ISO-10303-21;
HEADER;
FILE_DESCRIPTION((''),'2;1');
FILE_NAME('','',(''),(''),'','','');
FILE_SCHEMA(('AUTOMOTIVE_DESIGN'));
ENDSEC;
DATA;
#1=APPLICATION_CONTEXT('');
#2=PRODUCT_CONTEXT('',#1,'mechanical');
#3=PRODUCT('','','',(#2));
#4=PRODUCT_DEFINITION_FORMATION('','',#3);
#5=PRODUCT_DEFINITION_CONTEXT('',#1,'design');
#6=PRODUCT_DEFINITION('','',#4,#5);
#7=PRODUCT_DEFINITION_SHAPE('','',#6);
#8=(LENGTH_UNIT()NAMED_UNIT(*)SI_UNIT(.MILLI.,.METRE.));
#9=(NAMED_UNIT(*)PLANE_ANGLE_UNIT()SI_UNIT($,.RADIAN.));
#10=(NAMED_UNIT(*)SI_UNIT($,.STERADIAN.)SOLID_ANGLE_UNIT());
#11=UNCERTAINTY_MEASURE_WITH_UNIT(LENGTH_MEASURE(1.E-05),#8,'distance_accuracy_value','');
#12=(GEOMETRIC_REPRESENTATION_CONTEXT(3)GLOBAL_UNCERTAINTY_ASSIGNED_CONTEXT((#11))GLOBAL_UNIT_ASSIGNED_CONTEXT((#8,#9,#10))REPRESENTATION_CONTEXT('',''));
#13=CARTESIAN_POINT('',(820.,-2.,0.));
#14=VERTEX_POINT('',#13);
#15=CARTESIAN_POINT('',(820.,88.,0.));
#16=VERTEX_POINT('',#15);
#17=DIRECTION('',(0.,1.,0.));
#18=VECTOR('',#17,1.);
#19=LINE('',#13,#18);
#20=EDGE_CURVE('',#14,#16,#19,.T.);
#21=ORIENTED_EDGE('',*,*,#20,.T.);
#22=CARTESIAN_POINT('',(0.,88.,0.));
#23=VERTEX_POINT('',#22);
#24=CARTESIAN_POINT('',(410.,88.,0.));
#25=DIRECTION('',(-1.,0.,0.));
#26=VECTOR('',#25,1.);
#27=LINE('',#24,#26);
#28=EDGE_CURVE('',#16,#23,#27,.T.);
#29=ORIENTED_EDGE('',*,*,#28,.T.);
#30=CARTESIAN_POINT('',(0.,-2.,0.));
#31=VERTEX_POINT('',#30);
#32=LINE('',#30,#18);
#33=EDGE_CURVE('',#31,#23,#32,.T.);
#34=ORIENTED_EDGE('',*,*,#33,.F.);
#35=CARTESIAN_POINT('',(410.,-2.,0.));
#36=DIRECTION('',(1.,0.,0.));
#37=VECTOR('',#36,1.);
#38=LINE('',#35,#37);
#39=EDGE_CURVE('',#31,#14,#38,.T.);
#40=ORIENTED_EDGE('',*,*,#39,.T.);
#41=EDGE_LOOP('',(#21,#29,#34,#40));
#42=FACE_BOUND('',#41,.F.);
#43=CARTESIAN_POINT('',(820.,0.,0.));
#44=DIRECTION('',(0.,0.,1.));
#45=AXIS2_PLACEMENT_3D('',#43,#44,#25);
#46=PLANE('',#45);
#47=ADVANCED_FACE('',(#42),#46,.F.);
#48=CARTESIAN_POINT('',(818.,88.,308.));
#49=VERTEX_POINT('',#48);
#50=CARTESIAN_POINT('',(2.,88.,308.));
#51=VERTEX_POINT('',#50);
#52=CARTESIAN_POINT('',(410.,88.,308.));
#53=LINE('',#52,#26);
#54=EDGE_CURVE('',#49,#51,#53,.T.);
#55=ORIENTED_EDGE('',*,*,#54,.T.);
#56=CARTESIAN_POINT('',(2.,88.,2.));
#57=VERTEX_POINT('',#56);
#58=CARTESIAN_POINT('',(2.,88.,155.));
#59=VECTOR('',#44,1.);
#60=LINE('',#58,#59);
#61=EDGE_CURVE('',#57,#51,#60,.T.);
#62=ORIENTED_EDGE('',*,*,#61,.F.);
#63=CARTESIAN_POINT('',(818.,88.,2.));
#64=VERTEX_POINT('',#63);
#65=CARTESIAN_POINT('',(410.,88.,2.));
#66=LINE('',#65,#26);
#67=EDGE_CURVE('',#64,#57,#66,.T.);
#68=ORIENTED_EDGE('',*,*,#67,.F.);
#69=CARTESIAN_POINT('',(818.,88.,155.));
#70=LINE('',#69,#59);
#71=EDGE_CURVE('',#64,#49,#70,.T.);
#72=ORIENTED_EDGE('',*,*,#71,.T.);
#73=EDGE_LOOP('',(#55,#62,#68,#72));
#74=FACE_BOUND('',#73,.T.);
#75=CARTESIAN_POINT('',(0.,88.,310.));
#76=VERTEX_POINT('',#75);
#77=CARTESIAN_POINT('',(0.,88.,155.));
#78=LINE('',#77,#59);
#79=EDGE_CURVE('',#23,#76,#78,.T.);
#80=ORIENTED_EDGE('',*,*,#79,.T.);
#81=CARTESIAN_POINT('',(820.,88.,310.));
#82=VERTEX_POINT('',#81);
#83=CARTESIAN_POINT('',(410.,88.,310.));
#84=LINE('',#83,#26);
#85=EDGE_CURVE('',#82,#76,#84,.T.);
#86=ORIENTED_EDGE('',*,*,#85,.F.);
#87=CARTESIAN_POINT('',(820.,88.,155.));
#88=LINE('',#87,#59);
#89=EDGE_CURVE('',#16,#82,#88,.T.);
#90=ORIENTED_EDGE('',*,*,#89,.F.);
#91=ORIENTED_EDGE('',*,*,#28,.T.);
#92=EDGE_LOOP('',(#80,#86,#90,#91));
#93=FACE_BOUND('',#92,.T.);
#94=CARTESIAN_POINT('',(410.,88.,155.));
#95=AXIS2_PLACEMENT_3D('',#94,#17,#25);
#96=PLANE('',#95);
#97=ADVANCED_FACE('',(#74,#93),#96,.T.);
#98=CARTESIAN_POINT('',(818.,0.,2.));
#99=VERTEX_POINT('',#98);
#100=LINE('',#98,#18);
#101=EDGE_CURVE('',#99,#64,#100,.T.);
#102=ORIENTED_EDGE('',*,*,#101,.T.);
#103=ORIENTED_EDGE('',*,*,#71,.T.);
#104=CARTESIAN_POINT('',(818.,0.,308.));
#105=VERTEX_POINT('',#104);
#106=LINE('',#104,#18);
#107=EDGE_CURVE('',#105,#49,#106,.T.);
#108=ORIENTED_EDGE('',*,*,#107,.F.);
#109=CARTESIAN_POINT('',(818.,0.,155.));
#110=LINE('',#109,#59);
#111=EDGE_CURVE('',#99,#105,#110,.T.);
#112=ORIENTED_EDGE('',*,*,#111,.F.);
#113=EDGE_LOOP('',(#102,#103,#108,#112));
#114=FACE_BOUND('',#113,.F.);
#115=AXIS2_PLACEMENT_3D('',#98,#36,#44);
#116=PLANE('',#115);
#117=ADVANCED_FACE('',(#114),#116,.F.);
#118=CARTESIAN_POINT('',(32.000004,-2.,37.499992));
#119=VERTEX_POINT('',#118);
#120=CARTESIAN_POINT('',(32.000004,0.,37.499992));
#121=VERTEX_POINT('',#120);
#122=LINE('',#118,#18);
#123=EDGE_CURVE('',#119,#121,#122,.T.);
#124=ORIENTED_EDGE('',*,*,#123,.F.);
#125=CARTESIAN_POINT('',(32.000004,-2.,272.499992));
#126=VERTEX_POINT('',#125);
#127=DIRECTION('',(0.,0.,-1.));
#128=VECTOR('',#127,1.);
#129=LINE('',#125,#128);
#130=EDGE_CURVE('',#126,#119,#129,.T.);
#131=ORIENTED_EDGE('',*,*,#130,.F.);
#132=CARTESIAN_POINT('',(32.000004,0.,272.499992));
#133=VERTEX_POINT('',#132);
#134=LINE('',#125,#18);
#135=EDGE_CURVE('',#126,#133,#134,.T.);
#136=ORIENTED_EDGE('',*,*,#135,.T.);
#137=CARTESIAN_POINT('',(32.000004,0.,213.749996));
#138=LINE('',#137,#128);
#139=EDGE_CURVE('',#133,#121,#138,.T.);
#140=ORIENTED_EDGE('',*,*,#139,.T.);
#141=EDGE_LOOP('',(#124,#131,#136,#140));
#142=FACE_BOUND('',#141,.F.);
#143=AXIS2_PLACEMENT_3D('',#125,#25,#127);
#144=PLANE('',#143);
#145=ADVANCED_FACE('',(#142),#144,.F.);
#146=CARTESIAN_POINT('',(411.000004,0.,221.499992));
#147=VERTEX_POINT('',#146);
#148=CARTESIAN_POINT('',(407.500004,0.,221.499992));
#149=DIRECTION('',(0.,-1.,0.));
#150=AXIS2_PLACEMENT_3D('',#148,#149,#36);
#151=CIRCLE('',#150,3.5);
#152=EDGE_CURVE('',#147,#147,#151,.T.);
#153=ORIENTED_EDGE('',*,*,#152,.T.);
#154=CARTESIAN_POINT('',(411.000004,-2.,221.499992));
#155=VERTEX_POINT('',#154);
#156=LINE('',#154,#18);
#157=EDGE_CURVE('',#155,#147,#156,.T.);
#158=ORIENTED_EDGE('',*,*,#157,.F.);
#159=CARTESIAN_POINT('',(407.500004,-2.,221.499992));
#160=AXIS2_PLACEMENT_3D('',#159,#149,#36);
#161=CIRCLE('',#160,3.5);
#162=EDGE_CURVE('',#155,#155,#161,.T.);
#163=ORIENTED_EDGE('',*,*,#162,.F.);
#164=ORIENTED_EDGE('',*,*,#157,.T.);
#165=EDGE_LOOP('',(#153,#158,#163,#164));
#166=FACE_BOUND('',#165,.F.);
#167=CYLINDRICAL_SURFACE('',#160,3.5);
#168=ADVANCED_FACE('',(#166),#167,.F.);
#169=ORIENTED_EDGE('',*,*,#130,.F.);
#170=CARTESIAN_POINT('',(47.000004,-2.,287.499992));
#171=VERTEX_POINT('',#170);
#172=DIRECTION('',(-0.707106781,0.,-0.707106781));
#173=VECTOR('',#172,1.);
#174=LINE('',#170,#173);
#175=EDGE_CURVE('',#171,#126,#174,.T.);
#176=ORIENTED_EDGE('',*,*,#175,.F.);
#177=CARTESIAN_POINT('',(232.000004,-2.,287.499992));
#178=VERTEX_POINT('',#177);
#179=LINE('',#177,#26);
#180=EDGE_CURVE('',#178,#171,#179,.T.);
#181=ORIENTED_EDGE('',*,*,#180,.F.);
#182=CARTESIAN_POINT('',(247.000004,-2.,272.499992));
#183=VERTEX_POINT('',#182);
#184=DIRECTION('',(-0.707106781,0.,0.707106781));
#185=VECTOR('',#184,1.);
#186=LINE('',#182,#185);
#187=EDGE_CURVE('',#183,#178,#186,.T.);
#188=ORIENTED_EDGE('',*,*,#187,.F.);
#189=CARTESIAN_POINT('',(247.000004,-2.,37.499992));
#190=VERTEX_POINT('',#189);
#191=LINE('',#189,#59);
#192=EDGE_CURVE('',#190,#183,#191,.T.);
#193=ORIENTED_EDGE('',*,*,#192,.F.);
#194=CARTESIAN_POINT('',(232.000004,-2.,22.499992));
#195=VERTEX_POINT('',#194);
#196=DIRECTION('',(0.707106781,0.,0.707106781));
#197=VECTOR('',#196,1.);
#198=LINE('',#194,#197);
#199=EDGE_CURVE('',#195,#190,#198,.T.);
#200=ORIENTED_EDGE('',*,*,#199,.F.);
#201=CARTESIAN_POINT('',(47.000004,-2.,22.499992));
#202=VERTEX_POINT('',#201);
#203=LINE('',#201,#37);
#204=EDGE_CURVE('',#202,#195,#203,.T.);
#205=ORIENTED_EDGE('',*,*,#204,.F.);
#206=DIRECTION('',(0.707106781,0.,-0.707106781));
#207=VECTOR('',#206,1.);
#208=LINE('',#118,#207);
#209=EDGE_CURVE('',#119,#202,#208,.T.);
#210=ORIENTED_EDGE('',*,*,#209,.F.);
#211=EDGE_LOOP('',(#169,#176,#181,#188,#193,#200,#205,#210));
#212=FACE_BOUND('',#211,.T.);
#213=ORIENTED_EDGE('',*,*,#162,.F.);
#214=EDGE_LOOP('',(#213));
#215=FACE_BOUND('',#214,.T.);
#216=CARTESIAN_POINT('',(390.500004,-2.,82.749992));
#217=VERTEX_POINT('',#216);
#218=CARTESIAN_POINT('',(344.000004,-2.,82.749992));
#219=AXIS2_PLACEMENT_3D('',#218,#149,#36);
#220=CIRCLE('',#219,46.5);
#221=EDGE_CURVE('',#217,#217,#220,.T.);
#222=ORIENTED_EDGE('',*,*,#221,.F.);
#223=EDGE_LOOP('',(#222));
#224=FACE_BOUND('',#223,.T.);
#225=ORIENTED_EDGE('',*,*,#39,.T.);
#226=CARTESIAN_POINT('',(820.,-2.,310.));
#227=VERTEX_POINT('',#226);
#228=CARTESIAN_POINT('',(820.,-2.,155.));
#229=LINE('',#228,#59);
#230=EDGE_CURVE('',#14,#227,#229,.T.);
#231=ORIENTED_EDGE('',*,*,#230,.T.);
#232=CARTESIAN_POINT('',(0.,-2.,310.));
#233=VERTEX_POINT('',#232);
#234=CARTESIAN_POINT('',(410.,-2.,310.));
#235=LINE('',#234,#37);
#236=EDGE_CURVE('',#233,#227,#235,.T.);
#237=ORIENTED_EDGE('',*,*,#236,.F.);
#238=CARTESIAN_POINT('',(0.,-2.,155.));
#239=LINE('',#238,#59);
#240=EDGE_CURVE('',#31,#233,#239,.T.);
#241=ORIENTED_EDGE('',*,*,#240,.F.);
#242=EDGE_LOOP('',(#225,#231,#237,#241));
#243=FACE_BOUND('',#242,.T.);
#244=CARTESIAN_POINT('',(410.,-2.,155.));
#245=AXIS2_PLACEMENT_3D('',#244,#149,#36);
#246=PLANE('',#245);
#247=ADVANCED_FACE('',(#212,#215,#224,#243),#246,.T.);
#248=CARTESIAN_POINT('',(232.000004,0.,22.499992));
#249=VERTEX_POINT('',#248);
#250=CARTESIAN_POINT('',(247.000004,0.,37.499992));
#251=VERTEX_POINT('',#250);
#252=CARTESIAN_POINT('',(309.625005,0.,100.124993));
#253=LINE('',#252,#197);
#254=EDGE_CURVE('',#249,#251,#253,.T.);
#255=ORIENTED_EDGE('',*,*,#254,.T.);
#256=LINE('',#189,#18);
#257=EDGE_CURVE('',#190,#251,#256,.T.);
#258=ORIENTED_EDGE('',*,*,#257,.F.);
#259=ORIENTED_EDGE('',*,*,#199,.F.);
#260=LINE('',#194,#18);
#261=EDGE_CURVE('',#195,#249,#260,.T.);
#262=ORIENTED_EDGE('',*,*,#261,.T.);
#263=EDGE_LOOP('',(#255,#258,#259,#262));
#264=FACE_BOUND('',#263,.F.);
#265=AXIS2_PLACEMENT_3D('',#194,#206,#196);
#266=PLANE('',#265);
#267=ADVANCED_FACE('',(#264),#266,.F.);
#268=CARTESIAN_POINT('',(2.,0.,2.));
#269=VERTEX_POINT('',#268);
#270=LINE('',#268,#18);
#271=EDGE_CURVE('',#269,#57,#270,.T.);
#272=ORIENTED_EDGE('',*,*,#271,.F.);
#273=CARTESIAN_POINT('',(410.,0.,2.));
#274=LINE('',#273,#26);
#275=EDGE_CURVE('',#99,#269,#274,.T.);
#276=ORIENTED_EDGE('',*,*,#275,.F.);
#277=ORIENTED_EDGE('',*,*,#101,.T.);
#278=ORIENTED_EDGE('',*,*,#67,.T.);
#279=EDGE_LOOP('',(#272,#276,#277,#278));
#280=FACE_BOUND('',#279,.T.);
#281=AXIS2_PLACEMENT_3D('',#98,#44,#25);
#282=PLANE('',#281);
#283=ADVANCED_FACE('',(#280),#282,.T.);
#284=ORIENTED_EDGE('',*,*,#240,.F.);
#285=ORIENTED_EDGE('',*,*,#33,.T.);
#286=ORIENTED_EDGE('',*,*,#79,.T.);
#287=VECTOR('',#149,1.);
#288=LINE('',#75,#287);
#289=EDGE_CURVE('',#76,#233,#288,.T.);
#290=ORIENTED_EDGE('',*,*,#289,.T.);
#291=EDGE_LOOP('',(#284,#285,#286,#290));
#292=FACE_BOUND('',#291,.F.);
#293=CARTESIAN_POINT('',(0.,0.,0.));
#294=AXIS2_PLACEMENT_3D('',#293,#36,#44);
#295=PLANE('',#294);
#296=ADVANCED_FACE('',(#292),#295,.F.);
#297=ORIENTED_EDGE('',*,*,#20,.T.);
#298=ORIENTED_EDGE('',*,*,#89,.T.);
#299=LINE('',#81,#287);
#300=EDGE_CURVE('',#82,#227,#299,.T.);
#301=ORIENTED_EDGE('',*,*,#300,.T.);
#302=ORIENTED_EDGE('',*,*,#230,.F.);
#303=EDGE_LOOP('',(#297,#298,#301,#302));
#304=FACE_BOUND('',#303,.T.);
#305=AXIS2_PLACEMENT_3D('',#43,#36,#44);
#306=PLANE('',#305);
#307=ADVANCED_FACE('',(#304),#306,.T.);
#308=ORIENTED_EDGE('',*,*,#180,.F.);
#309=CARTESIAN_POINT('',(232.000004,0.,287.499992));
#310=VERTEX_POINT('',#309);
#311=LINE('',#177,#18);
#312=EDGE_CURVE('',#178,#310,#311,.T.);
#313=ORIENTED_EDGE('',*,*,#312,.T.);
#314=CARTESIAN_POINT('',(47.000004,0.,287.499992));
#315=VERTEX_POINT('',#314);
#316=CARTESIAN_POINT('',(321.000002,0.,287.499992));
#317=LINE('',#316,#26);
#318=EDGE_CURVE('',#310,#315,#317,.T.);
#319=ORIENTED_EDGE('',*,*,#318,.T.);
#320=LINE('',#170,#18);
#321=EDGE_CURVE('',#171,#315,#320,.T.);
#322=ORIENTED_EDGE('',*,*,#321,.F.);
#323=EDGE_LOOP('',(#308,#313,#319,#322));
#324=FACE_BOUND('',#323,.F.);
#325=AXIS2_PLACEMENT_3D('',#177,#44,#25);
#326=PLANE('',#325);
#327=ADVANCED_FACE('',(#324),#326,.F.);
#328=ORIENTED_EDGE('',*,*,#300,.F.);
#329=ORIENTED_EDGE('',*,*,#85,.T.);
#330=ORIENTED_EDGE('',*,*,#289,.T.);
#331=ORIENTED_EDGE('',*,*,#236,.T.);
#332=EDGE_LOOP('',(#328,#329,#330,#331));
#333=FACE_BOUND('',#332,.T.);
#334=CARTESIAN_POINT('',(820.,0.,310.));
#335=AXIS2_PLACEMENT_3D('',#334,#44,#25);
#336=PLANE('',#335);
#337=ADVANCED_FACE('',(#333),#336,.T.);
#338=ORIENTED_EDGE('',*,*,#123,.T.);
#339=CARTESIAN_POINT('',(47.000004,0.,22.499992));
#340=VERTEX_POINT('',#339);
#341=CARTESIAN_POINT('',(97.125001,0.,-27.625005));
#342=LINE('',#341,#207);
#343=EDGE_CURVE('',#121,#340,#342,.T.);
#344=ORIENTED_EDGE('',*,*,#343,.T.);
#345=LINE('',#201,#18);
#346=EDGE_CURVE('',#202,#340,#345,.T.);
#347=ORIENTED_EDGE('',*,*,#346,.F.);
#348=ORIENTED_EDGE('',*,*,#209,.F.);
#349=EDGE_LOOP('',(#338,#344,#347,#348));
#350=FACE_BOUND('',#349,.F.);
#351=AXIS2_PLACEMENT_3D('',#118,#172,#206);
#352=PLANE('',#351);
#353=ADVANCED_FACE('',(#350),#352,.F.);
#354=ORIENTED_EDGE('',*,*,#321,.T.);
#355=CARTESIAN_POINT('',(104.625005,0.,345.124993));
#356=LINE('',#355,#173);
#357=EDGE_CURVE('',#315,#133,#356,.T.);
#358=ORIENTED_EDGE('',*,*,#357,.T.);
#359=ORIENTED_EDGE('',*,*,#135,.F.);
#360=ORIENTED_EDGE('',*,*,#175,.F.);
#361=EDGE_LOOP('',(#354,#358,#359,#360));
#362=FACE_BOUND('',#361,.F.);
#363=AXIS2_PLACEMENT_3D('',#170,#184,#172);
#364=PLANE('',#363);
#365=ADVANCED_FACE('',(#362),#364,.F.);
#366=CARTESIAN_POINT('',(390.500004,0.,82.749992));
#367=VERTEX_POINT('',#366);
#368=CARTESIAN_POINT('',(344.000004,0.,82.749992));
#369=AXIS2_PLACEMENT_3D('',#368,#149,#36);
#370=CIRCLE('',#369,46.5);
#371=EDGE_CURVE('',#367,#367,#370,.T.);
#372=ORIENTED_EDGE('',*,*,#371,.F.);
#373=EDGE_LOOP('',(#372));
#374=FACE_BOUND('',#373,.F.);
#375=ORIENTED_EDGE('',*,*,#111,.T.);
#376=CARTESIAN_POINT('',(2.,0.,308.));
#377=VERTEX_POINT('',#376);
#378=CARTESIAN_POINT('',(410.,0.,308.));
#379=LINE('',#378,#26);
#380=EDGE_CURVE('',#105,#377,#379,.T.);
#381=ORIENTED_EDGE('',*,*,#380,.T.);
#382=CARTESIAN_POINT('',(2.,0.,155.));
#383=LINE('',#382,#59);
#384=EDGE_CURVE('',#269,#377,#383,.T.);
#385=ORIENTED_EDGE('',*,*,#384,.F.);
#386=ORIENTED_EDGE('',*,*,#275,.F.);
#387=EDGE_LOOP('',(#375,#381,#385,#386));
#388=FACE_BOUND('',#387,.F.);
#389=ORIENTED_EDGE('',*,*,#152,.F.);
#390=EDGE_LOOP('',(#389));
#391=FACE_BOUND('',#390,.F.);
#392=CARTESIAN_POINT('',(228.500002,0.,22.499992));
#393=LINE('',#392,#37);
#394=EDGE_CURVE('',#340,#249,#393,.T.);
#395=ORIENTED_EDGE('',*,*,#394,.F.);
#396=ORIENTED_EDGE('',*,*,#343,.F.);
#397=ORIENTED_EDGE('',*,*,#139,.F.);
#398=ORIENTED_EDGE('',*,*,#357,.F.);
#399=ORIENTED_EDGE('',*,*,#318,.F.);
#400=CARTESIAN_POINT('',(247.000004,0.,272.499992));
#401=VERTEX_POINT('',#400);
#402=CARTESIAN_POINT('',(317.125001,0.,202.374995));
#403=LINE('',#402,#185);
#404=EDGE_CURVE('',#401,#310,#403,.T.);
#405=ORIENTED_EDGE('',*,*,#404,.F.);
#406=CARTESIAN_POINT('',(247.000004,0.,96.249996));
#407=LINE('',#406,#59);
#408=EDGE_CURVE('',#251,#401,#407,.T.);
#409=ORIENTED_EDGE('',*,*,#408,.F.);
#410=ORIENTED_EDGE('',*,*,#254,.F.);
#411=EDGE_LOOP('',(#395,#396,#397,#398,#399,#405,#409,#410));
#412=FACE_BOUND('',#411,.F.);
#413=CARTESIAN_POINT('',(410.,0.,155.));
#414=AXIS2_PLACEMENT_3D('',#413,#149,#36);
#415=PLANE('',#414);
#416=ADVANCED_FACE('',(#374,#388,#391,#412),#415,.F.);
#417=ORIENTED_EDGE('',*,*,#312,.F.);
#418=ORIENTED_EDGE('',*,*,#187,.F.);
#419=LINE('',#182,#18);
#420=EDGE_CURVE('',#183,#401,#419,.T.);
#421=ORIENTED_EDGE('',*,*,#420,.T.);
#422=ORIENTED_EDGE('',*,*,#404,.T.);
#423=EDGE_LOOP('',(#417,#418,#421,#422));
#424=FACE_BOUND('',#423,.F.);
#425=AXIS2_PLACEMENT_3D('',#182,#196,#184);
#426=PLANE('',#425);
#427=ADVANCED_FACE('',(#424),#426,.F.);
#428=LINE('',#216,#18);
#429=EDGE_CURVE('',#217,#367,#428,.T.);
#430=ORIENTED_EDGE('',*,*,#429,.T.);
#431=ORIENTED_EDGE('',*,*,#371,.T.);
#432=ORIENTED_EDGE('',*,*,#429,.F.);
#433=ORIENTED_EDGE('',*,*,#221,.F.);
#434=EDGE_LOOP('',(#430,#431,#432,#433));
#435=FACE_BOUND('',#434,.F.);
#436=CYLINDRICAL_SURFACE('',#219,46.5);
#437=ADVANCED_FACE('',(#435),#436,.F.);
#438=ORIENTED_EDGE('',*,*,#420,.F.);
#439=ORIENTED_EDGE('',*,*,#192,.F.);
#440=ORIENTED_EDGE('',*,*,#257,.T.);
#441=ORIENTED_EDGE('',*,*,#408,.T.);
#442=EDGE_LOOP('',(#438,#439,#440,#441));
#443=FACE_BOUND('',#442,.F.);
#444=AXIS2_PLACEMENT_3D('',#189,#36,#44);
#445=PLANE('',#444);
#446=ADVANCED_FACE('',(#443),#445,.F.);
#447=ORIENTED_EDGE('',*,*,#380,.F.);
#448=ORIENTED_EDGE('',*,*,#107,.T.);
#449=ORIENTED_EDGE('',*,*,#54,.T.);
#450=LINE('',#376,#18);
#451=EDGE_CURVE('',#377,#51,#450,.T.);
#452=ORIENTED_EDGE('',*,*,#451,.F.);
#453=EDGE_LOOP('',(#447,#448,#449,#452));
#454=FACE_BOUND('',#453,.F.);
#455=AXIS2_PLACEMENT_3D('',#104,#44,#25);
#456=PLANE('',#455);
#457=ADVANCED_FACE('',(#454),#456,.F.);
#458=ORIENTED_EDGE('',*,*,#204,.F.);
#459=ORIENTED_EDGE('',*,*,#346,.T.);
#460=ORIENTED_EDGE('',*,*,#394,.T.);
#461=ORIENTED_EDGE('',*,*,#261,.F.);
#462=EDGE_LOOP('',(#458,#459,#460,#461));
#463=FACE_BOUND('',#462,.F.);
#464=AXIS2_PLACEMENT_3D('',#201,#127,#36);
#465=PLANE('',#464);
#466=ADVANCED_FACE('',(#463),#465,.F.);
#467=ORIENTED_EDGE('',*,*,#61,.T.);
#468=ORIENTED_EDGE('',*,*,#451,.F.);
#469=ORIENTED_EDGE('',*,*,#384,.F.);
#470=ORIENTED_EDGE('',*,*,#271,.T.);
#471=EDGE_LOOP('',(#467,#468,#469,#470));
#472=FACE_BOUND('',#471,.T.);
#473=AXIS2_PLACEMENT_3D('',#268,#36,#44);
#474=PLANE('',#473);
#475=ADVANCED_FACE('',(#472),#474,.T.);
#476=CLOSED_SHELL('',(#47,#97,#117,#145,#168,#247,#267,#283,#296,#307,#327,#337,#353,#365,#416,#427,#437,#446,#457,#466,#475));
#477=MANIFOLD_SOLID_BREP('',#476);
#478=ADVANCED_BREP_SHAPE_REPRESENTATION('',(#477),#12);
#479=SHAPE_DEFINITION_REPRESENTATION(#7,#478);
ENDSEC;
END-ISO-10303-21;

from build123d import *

# Parameters (mm, degrees)
F0_W     = 820
F0_H     = 310
F1_DEPTH = 2
F2_W     = 820
F2_H     = 310
F2_W_2   = 816
F2_H_2   = 306
F3_DEPTH = 88
F5_R     = 46.5
F5_R_2   = 3.5
F6_DEPTH = 90.001


with BuildPart() as f1:
    # F0 (on Front) → F1 (new body)
    with BuildSketch(Plane.XZ):
        with Locations((410, 155)):
            Rectangle(F0_W, F0_H)
    extrude(amount=F1_DEPTH)

    # F2 (on face) → F3 (join)
    with BuildSketch(Plane(origin=(0, 0, 0), x_dir=(-1, 0, 0), z_dir=(0, 1, 0))):
        with Locations((-410, 155)):
            Rectangle(F2_W, F2_H)
        with Locations((-410, 155)):
            Rectangle(F2_W_2, F2_H_2, mode=Mode.SUBTRACT)
    extrude(amount=F3_DEPTH)

    # F5 (on face) → F6 (cut, through all)
    with BuildSketch(Plane.XZ.offset(2)):
        Polygon((47.000004, 287.499992), (32.000004, 272.499992), (32.000004, 37.499992), (47.000004, 22.499992), (232.000004, 22.499992), (247.000004, 37.499992), (247.000004, 272.499992), (232.000004, 287.499992), align=None)
        with Locations((344.000004, 82.749992)):
            Circle(F5_R)
        with Locations((407.500004, 221.499992)):
            Circle(F5_R_2)
    extrude(amount=-F6_DEPTH, mode=Mode.SUBTRACT)


solid = f1.part
